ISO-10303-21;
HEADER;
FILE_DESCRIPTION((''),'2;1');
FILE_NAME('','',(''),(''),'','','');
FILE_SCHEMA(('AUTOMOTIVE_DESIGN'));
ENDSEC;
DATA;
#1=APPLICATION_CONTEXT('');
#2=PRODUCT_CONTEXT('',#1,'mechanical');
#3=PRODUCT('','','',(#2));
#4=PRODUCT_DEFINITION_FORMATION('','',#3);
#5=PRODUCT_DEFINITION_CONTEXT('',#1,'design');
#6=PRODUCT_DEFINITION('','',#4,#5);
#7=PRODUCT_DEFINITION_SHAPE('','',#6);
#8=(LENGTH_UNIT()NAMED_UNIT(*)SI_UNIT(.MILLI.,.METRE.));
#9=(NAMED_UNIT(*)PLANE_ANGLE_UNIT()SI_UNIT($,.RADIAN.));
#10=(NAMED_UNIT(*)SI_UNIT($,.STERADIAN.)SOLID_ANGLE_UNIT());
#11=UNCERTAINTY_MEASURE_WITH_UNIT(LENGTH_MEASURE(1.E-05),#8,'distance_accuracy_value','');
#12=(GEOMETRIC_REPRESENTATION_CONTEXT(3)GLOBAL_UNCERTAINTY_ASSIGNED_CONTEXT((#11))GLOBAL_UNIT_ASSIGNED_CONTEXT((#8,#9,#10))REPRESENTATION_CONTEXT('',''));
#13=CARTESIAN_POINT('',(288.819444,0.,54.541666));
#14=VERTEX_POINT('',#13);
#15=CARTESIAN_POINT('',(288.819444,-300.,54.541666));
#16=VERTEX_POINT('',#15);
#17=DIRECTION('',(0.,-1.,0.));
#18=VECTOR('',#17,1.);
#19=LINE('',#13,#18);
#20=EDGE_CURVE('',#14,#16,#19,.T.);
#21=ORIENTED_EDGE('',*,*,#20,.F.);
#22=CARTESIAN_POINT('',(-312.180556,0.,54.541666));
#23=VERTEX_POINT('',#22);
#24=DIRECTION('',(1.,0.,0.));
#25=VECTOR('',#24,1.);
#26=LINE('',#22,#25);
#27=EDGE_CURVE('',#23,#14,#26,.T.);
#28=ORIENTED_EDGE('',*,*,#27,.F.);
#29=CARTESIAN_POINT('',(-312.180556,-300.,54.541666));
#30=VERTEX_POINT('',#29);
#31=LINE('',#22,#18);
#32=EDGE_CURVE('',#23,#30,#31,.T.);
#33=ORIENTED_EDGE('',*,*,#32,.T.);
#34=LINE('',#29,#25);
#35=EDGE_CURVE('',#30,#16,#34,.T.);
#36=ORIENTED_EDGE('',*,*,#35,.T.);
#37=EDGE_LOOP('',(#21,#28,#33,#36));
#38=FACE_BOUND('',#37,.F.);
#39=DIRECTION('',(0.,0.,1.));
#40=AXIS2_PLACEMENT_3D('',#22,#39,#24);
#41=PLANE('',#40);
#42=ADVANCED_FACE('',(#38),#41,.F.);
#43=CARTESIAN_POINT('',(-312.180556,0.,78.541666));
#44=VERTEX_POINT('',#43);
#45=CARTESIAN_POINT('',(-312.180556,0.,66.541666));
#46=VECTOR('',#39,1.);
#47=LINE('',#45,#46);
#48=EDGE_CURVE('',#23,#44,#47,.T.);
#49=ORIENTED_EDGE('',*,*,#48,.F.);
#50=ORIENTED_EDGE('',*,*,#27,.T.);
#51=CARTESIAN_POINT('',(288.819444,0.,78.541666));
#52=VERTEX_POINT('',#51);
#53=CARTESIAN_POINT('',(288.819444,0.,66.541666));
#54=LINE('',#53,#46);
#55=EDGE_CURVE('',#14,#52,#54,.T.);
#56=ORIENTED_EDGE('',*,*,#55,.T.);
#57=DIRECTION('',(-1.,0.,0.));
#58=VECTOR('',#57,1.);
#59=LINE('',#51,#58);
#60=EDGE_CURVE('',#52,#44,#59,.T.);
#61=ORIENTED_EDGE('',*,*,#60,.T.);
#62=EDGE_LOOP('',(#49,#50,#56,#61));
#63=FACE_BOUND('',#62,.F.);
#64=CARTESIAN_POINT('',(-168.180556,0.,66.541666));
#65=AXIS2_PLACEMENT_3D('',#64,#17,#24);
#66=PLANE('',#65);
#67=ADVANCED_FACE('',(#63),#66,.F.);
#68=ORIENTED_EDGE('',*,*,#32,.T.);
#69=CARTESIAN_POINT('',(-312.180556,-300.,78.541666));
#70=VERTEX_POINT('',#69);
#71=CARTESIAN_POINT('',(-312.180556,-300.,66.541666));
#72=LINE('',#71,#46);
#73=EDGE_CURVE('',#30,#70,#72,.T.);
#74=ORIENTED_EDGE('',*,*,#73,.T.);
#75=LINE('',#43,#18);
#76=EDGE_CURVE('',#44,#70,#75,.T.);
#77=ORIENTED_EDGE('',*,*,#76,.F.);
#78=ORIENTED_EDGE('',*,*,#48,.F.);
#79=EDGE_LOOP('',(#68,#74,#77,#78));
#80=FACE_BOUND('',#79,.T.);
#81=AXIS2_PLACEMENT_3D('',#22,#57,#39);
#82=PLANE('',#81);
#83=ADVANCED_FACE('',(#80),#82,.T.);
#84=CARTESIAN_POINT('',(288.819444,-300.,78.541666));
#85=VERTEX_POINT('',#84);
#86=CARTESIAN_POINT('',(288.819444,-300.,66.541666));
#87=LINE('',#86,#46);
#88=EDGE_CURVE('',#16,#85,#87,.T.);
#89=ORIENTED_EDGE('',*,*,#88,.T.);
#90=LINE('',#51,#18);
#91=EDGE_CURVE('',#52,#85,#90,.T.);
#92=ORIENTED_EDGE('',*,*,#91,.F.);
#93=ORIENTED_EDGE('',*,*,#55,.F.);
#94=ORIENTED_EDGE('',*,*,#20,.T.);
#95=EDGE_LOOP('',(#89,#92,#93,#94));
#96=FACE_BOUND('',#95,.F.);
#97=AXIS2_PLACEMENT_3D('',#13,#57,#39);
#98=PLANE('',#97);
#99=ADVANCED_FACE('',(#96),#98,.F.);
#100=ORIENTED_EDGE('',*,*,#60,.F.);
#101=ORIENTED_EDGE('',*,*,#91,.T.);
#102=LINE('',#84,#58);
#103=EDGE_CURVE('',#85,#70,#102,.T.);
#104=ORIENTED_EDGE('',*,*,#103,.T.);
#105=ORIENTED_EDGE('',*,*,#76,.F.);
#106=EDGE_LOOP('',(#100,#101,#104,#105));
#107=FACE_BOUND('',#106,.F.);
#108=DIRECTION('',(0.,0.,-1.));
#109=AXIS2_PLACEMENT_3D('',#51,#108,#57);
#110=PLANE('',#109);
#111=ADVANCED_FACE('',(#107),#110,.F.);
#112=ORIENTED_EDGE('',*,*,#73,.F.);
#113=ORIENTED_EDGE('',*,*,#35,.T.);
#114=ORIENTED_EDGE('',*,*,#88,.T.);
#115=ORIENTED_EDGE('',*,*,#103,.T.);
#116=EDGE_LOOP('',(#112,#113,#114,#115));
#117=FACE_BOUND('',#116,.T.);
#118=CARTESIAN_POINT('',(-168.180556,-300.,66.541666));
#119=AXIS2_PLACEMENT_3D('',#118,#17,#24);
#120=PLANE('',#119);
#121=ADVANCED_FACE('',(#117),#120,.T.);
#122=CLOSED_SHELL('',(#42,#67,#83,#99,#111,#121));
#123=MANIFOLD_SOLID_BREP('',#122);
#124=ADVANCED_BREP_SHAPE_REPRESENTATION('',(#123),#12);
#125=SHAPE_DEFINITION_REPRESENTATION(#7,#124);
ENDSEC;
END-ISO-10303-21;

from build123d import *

# Parameters (mm, degrees)
F0_W     = 288
F0_H     = 24
F0_W_2   = 25
F1_DEPTH = 300


with BuildPart() as f1:
    # F0 (on Front) → F1 (new body)
    with BuildSketch(Plane.XZ):
        with Locations((-168.180556, 66.541666)):
            Rectangle(F0_W, F0_H)
        with Locations((-11.680556, 66.541666)):
            Rectangle(F0_W_2, F0_H)
        with Locations((144.819444, 66.541666)):
            Rectangle(F0_W, F0_H)
    extrude(amount=F1_DEPTH)


solid = f1.part
